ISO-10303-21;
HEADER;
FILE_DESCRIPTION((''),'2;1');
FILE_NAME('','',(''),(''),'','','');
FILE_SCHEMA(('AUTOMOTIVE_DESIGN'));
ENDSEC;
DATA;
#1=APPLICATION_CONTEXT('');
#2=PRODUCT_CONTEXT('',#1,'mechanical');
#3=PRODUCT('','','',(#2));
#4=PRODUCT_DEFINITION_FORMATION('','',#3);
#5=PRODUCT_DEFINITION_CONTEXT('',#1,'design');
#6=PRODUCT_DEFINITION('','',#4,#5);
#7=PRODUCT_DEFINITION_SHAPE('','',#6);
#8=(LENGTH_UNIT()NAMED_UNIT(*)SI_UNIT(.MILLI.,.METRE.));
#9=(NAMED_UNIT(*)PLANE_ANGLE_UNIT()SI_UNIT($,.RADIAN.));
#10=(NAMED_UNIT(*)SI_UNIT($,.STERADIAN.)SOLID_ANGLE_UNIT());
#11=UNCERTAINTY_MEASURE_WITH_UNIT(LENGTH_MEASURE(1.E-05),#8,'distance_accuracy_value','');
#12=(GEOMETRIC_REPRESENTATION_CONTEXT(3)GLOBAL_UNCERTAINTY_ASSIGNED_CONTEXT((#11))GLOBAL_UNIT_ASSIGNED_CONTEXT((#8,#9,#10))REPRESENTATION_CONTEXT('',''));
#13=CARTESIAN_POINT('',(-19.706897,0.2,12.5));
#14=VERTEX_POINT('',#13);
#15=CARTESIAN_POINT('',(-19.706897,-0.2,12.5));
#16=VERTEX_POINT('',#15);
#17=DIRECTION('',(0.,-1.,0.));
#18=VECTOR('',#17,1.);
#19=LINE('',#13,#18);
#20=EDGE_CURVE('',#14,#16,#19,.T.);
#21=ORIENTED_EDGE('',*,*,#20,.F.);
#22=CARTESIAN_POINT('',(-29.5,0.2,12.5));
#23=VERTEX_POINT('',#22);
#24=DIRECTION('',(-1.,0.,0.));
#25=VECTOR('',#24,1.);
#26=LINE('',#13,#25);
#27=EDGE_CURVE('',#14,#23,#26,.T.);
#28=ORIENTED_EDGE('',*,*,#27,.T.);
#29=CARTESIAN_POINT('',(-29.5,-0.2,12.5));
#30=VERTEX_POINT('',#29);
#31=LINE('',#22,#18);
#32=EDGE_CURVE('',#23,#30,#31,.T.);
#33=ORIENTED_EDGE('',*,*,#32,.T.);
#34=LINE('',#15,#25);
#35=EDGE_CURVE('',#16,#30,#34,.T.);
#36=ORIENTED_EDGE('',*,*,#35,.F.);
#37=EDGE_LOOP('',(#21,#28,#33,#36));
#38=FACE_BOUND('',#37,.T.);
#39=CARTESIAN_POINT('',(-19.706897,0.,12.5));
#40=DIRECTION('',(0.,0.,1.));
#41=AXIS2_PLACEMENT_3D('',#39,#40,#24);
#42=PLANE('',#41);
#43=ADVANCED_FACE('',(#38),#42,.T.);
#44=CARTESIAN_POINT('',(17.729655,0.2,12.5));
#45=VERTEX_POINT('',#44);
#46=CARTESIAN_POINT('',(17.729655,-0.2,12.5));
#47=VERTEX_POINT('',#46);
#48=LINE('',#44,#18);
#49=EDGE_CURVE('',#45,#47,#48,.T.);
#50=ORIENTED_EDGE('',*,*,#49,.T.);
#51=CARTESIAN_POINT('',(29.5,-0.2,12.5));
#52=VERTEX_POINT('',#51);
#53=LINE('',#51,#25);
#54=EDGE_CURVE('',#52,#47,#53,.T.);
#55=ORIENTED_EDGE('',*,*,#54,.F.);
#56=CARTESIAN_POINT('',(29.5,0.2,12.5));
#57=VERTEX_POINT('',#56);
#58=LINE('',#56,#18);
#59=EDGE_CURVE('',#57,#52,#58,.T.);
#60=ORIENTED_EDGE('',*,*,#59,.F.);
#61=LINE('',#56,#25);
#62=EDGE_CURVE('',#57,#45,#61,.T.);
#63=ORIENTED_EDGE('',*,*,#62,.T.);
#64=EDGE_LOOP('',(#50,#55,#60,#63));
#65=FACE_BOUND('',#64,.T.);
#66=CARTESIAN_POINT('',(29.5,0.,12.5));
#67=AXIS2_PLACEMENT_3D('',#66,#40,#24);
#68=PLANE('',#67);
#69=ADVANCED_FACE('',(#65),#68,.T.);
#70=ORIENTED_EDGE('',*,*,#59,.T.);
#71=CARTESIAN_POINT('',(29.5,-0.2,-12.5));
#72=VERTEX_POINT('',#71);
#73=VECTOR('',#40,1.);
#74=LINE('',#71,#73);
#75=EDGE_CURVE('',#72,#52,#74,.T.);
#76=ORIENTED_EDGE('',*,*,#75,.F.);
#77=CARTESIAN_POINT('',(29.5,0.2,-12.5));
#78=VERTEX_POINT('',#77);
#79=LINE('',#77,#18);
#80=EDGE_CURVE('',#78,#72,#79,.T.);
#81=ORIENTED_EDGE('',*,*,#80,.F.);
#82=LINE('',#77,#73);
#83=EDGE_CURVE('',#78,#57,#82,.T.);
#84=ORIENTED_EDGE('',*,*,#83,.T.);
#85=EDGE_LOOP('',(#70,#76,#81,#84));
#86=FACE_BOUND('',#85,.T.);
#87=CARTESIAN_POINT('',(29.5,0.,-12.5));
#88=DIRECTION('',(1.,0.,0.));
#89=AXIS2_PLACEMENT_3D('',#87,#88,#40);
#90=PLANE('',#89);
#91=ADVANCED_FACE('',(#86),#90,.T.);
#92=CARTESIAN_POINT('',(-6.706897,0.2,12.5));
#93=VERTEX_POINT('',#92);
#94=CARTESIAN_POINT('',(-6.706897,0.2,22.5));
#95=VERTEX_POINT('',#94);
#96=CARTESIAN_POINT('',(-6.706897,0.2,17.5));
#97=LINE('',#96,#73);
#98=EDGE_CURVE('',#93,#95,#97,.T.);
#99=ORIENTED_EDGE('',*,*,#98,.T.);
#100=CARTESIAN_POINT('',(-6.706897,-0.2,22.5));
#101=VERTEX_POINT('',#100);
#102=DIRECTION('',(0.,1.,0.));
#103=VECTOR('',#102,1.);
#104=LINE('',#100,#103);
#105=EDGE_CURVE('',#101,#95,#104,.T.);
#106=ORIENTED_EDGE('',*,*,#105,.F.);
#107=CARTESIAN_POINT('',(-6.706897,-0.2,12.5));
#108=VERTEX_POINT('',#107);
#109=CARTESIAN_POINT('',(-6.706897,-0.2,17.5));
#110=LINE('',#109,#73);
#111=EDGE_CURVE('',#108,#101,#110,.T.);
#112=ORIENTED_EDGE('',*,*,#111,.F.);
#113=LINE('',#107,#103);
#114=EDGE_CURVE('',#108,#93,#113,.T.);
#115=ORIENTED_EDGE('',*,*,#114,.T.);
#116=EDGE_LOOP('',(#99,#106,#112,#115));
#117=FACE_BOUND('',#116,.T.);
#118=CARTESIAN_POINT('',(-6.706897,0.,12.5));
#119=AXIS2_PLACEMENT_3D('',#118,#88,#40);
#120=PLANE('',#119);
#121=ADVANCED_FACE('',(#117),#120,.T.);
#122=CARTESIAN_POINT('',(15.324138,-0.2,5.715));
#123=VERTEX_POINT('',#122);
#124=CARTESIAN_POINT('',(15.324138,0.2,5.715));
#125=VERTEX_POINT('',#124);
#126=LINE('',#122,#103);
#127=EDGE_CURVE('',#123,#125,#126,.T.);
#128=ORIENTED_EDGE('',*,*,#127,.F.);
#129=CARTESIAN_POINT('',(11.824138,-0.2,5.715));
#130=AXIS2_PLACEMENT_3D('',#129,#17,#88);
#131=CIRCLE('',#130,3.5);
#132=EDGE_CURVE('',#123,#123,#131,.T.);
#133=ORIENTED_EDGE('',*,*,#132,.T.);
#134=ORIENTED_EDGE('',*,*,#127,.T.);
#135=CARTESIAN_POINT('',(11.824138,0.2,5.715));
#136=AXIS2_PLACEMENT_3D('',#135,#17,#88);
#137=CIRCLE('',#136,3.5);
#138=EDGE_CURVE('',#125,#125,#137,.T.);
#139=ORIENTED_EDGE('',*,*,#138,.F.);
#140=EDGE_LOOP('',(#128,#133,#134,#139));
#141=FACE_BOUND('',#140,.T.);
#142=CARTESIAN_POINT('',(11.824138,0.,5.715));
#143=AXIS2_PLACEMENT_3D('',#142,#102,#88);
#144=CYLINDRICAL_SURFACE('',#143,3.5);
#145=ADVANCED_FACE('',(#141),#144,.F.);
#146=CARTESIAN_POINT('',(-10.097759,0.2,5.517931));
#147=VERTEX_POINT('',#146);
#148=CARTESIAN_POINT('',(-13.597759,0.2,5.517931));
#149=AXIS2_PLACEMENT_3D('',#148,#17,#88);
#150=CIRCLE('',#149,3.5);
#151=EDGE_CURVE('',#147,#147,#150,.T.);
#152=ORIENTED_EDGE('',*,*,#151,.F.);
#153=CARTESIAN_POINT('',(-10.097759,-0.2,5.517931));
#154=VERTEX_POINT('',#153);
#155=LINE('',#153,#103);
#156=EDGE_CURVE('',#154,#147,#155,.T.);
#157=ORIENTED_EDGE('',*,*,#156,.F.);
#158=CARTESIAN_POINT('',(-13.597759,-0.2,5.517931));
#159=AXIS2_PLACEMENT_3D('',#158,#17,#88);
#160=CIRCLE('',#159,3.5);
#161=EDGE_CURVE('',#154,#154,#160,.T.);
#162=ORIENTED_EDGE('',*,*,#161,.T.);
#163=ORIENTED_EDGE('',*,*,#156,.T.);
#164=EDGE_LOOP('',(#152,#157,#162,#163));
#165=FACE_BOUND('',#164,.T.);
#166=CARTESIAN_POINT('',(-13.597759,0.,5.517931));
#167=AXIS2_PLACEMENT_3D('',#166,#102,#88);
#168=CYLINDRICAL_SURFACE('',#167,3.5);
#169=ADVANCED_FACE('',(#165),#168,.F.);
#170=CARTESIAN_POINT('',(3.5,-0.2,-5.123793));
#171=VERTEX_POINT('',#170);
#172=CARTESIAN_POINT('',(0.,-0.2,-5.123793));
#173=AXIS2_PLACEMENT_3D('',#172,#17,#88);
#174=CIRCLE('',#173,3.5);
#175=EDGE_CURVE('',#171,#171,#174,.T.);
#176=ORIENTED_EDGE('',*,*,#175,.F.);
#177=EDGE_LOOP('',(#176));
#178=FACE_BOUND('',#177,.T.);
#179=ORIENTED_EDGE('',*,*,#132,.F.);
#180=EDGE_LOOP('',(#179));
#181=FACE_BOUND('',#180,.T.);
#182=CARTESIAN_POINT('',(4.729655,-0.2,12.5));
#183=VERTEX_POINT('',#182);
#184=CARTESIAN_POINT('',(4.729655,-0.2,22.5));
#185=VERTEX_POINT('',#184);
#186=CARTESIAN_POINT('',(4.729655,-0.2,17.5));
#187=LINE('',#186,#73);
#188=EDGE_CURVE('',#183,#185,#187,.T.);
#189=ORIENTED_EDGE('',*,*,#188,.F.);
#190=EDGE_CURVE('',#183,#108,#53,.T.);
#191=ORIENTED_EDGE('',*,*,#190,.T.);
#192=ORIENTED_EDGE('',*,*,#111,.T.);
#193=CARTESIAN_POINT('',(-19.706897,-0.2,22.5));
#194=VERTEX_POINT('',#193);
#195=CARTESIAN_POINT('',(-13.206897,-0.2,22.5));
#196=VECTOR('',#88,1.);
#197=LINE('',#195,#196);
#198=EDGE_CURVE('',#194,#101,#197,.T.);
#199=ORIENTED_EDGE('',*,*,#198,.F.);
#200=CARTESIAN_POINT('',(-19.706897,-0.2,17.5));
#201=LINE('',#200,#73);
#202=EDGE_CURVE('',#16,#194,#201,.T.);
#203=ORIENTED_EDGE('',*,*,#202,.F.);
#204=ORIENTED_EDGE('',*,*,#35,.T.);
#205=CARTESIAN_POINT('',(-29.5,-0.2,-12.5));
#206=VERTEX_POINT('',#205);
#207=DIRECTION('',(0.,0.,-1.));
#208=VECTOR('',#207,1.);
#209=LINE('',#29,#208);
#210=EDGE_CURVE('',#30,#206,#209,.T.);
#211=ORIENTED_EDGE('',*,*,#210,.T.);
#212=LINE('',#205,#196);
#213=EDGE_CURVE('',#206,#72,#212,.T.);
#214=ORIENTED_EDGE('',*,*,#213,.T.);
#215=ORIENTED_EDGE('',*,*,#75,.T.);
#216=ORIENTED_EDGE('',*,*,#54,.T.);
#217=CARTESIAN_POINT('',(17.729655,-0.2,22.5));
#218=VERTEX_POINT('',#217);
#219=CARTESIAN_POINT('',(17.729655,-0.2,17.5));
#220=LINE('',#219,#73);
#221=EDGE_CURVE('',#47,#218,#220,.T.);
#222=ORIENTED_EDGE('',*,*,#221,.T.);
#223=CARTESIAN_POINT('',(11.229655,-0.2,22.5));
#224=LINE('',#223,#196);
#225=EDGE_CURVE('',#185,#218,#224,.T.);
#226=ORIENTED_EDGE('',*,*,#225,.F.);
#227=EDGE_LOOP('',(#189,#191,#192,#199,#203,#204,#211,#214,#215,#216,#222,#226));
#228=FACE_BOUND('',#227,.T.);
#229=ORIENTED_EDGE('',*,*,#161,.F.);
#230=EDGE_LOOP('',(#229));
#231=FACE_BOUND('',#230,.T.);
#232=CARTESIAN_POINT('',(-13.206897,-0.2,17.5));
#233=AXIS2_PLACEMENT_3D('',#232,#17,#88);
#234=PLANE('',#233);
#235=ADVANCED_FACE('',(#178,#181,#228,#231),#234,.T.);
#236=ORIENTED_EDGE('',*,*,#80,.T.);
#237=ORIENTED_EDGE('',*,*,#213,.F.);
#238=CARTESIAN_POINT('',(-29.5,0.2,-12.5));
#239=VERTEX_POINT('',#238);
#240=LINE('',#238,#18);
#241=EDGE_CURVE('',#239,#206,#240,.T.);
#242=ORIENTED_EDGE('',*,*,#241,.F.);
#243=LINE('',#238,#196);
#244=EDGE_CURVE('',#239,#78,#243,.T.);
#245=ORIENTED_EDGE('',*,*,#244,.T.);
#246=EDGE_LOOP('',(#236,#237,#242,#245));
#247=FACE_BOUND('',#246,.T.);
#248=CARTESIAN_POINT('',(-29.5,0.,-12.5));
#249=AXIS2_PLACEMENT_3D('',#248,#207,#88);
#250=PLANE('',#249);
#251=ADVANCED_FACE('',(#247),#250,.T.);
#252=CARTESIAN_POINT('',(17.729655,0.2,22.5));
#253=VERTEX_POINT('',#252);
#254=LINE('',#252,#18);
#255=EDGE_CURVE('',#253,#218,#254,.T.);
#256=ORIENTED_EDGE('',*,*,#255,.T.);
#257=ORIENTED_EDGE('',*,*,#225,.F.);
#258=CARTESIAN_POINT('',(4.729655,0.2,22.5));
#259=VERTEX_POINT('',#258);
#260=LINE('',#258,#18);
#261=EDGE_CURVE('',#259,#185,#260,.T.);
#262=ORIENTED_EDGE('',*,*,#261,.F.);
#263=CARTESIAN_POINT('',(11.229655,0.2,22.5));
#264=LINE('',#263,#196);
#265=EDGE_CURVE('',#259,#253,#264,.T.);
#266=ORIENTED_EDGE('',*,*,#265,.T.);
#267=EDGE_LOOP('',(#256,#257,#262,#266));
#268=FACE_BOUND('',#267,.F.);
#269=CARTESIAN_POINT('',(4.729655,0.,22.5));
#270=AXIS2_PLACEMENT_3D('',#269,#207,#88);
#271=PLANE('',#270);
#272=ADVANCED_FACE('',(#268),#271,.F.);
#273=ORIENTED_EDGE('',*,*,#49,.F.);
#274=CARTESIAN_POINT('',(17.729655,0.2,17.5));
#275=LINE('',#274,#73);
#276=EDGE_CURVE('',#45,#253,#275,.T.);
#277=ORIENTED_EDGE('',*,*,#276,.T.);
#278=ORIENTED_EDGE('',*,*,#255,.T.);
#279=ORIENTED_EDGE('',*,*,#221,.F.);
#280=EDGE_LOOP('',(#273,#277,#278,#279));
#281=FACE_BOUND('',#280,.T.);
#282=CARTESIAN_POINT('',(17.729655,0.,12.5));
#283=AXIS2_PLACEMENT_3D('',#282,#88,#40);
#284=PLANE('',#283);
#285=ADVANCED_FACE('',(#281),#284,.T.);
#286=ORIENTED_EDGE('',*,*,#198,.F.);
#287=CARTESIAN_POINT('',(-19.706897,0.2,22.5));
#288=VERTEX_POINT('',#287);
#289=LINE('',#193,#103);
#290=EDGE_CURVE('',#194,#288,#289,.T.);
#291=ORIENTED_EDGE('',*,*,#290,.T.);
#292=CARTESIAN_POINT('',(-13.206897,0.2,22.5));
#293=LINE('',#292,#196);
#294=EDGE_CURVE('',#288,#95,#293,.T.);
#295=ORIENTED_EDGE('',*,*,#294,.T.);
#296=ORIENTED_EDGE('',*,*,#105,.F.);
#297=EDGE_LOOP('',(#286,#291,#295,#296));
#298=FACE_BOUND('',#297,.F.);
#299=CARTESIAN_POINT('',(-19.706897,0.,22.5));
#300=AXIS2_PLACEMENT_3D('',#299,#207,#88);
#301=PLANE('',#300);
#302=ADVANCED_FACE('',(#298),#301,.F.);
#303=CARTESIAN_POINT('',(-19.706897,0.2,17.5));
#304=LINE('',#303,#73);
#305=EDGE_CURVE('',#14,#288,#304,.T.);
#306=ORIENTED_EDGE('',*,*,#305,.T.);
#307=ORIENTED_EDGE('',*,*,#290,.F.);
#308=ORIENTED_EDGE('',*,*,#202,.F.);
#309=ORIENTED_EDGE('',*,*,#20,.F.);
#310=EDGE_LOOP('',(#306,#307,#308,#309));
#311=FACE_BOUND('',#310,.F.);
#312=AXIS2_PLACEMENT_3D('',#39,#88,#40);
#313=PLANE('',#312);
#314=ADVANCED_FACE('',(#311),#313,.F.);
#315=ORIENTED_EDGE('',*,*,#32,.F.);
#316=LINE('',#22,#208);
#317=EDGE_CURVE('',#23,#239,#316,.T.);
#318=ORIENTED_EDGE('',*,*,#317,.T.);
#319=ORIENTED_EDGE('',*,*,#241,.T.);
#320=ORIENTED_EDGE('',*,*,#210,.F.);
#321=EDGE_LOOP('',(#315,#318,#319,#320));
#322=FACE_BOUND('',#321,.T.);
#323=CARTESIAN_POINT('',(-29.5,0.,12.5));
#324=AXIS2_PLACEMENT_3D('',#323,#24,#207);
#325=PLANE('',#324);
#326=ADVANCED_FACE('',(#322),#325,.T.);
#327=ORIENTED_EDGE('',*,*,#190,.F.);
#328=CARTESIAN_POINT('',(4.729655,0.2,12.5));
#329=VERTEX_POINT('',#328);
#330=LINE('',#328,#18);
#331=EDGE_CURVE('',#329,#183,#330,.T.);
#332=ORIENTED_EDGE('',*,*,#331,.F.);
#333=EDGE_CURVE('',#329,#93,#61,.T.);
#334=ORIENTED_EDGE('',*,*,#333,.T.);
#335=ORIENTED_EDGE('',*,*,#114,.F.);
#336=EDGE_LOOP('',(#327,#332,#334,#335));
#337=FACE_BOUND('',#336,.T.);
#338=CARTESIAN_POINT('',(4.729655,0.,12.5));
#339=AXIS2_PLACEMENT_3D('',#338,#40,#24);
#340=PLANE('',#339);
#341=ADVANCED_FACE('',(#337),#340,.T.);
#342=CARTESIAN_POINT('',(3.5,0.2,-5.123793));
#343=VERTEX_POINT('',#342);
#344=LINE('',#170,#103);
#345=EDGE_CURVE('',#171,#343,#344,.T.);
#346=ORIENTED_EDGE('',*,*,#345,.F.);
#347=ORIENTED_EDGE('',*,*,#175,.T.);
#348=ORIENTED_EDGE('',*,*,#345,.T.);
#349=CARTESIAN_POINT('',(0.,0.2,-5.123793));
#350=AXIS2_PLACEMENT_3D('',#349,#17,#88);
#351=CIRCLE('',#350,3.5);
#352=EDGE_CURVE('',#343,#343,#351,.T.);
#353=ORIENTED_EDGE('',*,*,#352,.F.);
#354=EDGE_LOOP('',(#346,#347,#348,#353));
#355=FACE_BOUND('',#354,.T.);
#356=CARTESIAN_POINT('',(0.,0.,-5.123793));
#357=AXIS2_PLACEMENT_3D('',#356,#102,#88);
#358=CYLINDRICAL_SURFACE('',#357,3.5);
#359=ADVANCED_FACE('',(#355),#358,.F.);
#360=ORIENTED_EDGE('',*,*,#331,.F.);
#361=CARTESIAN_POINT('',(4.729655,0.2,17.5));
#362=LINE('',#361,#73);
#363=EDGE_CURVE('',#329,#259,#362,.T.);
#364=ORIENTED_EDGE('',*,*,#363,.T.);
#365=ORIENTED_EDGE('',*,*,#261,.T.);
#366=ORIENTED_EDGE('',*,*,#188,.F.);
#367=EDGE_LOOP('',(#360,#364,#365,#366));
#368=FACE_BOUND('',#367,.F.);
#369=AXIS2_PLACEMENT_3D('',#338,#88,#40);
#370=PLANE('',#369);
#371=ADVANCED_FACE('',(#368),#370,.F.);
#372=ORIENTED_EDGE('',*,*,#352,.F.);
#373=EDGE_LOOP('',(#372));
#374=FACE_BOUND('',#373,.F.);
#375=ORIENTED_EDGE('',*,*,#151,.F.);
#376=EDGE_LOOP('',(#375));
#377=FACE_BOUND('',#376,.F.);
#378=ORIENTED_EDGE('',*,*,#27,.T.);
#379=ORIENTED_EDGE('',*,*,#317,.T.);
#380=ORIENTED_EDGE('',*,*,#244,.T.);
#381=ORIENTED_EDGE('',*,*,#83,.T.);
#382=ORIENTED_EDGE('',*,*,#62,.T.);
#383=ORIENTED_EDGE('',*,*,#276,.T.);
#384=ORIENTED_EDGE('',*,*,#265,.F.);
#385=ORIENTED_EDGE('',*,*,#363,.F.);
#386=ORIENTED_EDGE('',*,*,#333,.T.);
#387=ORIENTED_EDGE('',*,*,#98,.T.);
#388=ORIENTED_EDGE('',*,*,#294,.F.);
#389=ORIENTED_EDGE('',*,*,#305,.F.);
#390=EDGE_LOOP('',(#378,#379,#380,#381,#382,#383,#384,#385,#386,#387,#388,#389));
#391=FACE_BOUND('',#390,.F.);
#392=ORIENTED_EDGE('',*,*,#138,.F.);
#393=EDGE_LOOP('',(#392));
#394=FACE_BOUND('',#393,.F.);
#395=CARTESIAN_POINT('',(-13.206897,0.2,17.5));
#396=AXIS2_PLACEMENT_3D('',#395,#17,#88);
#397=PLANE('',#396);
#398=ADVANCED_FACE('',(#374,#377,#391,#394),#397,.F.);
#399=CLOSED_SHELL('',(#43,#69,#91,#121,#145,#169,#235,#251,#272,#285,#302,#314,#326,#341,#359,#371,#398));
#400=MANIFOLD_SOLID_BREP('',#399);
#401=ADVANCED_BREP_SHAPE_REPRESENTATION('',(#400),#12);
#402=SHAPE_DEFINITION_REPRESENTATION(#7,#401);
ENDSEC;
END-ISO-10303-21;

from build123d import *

# Parameters (mm, degrees)
F0_W     = 13
F0_H     = 10
F0_R     = 3.5
F1_DEPTH = 0.2


with BuildPart() as f1:
    # F0 (on Front) → F1 (new body, symmetric)
    with BuildSketch(Plane.XZ):
        with Locations((-13.206897, 17.5)):
            Rectangle(F0_W, F0_H)
        Polygon((-19.706897, 12.5), (-29.5, 12.5), (-29.5, -12.5), (29.5, -12.5), (29.5, 12.5), (17.729655, 12.5), (4.729655, 12.5), (-6.706897, 12.5), align=None)
        with Locations((0, -5.123793)):
            Circle(F0_R, mode=Mode.SUBTRACT)
        with Locations((-13.597759, 5.517931)):
            Circle(F0_R, mode=Mode.SUBTRACT)
        with Locations((11.824138, 5.715)):
            Circle(F0_R, mode=Mode.SUBTRACT)
        with Locations((11.229655, 17.5)):
            Rectangle(F0_W, F0_H)
    extrude(amount=F1_DEPTH, both=True)


solid = f1.part
